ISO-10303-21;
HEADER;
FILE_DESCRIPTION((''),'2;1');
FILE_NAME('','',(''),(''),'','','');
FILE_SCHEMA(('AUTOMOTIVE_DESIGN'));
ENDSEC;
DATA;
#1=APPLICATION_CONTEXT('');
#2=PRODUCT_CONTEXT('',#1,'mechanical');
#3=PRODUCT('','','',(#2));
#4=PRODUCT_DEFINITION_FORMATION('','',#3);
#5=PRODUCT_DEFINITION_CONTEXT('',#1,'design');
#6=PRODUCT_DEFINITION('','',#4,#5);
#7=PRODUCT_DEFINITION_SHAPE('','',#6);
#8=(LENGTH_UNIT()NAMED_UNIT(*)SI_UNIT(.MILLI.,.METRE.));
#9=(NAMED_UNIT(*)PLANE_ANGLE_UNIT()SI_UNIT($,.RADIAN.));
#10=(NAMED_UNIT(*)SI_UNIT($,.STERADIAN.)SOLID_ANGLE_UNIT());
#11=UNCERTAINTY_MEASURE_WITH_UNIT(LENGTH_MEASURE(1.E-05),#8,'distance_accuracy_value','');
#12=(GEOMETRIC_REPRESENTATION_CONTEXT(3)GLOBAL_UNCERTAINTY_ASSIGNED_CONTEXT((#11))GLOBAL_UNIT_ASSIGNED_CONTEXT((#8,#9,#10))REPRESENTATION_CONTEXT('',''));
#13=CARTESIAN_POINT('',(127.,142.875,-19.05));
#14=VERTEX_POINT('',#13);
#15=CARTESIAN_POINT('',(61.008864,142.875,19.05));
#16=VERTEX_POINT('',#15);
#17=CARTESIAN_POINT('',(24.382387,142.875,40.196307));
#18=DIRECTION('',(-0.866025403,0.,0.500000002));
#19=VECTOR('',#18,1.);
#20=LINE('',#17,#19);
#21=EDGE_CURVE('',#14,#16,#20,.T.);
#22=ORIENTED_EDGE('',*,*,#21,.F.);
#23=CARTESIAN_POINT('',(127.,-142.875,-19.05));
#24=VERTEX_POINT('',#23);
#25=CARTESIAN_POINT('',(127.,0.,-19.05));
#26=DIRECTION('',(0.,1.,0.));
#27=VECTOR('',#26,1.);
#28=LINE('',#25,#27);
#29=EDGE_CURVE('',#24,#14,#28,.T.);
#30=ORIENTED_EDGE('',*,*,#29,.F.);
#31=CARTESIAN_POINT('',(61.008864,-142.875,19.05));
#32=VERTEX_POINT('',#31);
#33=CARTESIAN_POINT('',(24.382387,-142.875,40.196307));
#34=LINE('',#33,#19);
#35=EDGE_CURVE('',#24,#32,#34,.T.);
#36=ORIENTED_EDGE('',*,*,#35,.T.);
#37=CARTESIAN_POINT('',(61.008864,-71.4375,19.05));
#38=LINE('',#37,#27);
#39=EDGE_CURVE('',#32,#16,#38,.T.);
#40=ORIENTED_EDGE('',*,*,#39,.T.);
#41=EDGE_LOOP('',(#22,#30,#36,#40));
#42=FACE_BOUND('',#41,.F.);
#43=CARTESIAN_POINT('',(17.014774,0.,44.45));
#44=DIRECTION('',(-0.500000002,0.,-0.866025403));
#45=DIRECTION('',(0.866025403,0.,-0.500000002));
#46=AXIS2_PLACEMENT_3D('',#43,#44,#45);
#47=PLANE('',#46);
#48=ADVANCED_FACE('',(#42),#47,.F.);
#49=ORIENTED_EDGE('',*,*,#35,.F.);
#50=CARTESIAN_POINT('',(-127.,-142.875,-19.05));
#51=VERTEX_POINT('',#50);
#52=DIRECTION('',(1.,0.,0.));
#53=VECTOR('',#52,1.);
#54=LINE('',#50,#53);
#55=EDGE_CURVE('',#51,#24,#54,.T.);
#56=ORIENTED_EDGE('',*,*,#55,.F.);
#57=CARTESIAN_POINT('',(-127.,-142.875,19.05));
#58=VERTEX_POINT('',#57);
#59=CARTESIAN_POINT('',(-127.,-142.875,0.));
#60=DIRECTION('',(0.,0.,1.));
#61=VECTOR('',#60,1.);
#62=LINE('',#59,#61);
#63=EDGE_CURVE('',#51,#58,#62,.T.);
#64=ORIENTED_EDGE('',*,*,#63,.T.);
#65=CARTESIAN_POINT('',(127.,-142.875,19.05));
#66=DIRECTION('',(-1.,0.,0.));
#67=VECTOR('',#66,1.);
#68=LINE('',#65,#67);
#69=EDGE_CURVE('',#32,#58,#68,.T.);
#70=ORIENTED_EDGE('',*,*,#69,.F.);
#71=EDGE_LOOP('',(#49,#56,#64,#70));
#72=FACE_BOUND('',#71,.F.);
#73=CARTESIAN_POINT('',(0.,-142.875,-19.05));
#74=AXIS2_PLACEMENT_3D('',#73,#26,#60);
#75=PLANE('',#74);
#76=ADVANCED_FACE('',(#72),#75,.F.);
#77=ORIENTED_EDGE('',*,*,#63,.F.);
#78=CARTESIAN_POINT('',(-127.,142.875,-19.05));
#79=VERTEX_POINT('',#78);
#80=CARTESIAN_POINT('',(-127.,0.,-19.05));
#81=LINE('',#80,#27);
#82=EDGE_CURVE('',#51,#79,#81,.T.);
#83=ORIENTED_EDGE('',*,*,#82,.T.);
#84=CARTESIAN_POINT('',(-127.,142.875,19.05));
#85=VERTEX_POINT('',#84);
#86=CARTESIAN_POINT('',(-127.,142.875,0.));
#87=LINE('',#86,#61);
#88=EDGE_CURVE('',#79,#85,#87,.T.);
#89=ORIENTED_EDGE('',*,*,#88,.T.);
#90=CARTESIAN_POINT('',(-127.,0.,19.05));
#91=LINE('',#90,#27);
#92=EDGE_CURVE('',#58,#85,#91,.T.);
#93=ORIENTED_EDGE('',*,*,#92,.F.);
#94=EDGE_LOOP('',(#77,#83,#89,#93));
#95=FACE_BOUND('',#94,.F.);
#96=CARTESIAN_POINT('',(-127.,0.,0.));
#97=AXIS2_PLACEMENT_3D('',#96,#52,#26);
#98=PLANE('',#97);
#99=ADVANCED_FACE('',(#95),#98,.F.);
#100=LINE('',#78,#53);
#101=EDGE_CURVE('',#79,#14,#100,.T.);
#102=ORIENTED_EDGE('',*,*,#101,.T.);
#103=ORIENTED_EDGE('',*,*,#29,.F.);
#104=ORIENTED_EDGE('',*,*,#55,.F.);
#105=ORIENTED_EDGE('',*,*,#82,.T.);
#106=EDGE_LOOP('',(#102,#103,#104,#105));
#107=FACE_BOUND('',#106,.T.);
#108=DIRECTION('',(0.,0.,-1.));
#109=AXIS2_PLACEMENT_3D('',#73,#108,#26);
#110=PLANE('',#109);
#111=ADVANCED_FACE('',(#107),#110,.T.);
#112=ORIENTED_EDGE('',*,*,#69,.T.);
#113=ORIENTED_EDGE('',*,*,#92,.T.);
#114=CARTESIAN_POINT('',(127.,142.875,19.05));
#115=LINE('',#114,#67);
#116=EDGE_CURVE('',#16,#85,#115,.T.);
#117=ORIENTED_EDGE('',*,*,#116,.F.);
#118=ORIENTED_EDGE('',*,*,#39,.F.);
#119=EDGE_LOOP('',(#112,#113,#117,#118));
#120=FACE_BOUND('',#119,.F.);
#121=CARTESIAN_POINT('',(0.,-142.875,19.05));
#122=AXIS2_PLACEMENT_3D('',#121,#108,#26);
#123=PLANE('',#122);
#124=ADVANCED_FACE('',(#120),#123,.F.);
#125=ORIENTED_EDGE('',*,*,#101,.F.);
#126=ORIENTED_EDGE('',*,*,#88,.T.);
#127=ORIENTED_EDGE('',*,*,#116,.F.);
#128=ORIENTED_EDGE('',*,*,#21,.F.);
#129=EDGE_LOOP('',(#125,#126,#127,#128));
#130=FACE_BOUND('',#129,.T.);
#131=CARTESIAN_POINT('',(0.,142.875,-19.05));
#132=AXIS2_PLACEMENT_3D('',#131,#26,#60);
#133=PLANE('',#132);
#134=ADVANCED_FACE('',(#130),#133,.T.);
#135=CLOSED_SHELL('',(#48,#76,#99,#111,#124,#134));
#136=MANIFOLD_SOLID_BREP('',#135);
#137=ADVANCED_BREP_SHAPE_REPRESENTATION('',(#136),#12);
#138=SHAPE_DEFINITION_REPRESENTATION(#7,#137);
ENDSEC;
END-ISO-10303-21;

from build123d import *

# Parameters (mm, degrees)
F0_W     = 285.75
F0_H     = 38.1
F1_DEPTH = 127
F3_DEPTH = 203.2


with BuildPart() as f1:
    # F0 (on Right) → F1 (new body, symmetric)
    with BuildSketch(Plane.YZ):
        Rectangle(F0_W, F0_H)
    extrude(amount=F1_DEPTH, both=True)

    # F2 (on Front) → F3 (cut, symmetric)
    with BuildSketch(Plane.XZ):
        Polygon((152.4, 44.45), (17.014774, 44.45), (152.4, -33.714697), align=None)
    extrude(amount=F3_DEPTH, both=True, mode=Mode.SUBTRACT)


solid = f1.part
